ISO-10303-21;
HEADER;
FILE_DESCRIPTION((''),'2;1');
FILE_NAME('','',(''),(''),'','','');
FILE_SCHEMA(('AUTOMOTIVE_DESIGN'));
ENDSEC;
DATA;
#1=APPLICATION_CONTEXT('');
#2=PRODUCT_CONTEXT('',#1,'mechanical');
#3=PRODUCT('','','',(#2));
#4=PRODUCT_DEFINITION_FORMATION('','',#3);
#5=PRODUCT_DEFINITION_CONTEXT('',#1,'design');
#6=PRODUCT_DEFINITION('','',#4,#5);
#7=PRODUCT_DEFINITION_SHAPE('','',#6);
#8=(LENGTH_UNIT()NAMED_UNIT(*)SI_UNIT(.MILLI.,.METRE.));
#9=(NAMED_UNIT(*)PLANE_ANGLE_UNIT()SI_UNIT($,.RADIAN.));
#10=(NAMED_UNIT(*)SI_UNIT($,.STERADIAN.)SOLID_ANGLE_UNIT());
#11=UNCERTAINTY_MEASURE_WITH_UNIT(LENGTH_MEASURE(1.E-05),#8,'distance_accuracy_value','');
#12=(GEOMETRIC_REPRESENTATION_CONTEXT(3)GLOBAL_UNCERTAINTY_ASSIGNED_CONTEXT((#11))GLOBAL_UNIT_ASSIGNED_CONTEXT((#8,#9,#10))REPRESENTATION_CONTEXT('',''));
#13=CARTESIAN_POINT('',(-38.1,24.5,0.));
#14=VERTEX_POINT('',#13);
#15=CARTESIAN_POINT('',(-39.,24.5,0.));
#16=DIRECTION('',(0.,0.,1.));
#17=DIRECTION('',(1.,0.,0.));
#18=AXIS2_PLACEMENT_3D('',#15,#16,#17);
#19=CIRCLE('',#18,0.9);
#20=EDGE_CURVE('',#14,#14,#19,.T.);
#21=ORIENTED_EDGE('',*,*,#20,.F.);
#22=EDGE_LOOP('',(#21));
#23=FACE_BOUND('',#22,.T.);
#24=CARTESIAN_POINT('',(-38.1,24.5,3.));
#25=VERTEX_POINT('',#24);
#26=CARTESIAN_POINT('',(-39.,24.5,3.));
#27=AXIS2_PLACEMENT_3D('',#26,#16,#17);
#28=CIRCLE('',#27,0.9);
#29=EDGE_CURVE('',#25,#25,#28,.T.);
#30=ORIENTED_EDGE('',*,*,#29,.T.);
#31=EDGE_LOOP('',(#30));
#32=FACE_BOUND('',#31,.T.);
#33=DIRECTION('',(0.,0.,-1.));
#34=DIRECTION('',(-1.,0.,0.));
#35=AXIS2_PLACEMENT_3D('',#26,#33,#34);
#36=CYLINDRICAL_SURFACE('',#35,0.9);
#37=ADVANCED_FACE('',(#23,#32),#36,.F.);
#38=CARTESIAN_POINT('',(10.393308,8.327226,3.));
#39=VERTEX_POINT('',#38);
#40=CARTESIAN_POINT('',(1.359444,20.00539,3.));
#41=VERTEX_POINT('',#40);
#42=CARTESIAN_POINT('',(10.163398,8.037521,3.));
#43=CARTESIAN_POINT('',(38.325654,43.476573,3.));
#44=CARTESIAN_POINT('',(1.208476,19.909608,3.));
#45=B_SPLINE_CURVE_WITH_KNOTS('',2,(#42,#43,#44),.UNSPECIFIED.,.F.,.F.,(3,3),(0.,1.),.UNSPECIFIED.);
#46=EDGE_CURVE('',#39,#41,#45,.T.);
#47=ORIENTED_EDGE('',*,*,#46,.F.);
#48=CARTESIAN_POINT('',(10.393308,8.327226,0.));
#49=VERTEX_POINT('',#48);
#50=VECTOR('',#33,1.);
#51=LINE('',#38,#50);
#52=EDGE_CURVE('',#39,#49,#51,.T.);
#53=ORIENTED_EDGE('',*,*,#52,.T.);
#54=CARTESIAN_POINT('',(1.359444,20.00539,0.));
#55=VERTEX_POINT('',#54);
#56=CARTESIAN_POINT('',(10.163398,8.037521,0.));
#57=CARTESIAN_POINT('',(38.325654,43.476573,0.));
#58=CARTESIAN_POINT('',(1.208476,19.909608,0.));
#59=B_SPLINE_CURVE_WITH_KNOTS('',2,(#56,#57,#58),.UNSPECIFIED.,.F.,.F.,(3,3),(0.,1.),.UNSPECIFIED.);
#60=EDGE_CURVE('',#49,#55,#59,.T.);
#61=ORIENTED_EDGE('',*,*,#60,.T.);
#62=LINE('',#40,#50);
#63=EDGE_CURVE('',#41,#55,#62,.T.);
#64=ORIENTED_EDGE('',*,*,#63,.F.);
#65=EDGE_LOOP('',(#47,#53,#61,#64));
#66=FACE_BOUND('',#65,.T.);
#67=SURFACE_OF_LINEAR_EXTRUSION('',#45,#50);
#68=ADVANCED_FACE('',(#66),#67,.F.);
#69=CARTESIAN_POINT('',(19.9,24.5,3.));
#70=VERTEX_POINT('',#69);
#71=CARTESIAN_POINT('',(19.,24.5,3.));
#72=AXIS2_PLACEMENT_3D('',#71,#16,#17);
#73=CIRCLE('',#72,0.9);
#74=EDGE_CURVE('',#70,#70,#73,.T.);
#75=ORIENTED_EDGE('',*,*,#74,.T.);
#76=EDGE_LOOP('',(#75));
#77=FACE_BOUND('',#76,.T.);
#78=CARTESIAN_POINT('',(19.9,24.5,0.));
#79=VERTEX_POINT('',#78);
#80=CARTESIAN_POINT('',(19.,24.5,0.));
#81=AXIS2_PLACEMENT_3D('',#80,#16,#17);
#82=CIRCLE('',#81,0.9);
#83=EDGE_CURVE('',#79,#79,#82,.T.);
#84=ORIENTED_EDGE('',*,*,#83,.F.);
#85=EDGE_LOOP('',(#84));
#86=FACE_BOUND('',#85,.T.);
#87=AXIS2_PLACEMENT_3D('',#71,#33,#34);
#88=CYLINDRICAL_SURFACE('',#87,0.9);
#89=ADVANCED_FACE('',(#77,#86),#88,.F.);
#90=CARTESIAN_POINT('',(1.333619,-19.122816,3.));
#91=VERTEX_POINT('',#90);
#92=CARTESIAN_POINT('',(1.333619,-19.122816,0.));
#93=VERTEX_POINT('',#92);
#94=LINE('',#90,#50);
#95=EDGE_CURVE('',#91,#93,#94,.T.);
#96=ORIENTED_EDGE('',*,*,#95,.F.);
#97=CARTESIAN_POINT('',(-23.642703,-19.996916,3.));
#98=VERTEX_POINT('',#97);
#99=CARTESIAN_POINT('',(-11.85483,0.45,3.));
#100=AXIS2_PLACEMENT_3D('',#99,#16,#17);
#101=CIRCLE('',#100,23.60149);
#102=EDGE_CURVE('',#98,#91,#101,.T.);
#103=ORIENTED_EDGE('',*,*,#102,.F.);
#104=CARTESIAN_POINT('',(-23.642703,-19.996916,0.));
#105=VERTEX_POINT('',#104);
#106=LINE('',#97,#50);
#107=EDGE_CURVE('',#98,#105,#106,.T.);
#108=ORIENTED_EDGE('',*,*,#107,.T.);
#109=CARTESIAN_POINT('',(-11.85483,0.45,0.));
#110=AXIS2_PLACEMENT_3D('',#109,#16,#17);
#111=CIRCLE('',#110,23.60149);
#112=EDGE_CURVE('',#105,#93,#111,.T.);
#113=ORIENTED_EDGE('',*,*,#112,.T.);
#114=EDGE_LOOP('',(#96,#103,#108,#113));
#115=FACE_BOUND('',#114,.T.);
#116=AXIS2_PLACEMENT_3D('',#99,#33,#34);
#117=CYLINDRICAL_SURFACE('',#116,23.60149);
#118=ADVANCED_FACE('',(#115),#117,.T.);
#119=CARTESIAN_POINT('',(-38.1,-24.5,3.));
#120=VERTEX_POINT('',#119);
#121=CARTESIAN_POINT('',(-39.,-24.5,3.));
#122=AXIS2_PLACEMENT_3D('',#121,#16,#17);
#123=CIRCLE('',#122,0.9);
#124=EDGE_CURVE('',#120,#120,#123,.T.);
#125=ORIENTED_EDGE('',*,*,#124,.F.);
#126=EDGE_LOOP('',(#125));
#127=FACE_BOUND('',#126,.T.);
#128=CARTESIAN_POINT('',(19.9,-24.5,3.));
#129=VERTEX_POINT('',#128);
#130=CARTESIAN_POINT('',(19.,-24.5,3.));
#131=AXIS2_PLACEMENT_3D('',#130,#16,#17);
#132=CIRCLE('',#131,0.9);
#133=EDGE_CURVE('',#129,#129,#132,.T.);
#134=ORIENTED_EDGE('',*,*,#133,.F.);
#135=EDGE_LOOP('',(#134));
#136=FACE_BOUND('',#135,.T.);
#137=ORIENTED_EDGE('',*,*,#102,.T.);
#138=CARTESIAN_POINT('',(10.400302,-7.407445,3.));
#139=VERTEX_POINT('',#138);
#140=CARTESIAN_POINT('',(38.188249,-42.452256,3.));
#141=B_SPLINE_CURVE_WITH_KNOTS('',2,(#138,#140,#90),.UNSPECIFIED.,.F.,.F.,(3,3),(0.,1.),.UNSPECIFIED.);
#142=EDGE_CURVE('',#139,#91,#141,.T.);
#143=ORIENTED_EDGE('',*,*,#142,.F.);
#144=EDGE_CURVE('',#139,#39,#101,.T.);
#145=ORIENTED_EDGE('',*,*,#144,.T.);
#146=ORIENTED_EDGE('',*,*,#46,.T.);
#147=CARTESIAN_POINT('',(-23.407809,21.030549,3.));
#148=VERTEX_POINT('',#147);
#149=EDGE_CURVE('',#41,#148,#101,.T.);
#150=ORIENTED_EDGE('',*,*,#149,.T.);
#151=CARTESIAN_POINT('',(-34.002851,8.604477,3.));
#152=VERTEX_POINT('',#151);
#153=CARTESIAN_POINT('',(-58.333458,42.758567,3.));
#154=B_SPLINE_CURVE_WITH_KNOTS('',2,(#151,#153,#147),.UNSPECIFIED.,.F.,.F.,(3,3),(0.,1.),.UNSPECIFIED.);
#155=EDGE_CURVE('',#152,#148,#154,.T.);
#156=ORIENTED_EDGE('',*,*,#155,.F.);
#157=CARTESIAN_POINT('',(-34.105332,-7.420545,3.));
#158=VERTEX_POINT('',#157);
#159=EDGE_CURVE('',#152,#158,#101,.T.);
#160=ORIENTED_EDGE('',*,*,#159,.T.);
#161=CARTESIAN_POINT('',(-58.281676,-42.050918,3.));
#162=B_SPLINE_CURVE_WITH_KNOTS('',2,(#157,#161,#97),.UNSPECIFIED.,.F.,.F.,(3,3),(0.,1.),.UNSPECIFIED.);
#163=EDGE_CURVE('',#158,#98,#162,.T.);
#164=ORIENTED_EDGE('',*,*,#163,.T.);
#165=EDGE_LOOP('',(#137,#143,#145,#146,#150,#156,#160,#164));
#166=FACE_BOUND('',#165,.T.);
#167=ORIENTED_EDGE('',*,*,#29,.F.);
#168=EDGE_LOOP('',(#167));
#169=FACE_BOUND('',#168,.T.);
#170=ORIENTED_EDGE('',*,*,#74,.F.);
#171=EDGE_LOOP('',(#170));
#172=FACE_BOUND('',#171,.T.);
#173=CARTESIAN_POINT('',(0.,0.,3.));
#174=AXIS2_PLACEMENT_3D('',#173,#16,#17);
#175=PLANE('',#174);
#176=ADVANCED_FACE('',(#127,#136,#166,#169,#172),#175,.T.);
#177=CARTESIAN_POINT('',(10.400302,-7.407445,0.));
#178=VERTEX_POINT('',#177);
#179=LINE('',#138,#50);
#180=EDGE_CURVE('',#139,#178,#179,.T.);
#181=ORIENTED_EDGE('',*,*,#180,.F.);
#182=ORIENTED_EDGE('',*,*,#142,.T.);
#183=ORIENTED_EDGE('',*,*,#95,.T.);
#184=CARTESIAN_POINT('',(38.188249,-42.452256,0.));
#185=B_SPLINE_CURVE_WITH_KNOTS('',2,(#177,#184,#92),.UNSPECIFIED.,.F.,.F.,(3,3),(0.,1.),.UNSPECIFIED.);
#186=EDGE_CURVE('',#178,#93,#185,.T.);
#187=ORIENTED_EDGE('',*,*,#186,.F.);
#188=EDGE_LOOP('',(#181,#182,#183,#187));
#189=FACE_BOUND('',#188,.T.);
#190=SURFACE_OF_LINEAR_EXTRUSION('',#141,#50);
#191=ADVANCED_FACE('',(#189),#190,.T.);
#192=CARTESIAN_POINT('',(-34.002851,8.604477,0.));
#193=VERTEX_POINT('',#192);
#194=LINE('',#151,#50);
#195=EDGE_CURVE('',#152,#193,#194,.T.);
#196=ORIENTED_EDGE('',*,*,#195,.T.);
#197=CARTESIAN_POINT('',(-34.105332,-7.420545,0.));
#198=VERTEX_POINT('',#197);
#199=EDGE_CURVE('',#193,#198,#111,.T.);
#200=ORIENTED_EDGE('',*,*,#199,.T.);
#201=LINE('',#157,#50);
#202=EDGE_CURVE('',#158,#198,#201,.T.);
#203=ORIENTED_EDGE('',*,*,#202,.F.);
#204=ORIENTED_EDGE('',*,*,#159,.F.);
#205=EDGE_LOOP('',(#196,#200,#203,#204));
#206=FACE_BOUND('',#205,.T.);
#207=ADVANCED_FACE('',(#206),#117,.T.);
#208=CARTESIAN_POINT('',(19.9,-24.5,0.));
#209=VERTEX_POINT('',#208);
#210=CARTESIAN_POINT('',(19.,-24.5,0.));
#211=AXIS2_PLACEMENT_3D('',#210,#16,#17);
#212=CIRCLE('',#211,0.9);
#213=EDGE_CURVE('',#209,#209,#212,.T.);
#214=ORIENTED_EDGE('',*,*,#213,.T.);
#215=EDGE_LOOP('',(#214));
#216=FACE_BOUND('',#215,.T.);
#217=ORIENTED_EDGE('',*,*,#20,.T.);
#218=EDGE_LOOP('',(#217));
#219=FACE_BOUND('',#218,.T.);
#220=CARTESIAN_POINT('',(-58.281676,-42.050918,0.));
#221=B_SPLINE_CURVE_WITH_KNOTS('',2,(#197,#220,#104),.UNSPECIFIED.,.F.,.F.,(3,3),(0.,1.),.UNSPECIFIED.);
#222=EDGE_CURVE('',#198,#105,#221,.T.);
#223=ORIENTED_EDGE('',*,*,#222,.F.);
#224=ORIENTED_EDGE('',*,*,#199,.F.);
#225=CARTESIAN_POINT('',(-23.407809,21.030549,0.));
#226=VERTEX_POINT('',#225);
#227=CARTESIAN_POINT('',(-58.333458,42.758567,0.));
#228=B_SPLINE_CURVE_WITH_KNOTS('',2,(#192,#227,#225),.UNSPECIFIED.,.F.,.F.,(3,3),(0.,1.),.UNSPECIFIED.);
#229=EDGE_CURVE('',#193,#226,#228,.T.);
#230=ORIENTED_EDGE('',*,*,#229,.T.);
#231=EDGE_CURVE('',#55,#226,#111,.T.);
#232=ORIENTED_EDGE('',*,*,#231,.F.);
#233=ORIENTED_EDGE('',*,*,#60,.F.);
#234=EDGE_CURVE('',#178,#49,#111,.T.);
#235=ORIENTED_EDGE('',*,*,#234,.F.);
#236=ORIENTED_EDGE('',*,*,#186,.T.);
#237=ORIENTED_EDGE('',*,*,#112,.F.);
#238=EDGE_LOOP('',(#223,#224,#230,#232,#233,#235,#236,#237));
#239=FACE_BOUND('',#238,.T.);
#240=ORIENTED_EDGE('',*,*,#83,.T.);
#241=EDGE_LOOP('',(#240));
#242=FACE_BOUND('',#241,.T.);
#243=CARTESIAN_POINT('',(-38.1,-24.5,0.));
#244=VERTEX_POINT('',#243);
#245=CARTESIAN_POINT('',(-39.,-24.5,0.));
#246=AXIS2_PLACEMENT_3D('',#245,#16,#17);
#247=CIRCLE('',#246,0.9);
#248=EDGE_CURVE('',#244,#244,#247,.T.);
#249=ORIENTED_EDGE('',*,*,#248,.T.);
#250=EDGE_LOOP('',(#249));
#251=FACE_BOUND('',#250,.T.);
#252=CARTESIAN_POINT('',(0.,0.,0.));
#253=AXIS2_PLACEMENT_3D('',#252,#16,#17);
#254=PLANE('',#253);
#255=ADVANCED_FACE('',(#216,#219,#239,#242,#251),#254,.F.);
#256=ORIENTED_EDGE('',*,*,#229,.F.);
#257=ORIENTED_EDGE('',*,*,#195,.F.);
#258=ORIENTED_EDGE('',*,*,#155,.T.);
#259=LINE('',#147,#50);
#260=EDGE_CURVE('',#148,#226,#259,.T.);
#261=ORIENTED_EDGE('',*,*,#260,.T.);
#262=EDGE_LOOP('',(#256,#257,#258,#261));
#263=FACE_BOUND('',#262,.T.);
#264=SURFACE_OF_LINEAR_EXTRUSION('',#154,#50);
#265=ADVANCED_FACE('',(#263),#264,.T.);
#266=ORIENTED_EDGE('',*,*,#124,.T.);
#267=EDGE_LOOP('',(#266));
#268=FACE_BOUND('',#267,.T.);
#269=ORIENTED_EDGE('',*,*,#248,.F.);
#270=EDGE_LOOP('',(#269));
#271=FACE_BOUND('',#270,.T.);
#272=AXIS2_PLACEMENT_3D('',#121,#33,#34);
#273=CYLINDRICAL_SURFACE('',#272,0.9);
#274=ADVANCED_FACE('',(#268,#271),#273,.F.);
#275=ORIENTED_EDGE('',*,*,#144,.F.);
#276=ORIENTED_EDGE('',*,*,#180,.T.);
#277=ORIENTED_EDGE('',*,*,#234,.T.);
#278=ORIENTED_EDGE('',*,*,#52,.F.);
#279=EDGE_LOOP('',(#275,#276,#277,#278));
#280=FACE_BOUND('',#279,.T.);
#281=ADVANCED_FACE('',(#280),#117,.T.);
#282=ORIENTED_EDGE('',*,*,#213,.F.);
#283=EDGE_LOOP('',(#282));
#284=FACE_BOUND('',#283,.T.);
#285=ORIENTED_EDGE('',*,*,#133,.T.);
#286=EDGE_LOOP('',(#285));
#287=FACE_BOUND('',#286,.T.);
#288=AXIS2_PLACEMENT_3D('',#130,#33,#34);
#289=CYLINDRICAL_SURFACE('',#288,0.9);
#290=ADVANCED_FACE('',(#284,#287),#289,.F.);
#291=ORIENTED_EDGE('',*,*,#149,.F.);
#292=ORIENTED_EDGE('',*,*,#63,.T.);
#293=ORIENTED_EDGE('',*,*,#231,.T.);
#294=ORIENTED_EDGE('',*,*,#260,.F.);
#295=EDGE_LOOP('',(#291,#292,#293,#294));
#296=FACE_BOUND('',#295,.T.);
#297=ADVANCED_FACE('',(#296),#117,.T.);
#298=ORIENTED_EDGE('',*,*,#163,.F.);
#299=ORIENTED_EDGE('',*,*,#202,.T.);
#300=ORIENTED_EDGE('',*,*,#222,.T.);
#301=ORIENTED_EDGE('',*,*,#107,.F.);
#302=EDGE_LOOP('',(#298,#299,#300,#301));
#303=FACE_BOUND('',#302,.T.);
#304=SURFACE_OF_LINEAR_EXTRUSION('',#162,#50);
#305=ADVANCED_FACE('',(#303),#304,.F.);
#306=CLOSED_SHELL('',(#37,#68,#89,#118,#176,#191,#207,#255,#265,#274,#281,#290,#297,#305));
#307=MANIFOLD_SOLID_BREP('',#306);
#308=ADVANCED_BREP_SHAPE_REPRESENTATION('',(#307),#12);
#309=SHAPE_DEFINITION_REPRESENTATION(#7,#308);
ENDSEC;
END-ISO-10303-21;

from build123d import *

# Parameters (mm, degrees)
SKETCH2_R           = 0.9
BOSS_EXTRUDE1_DEPTH = 3


with BuildPart() as part:
    # Sketch2 → Boss-Extrude1 (new body)
    with BuildSketch(Plane.XY):
        with BuildLine():
            add(Edge.make_bspline(
                [(-34.002851303, 8.604476718), (-58.333457607, 42.758566595), (-23.407809103, 21.030549249)],
                knots=[0, 0, 0, 1, 1, 1], degree=2))
            ThreePointArc((-34.002851303, 8.604476718), (-35.455837584, 0.600929894), (-34.105332305, -7.42054543))
            add(Edge.make_bspline(
                [(-34.105332305, -7.42054543), (-58.281676493, -42.050918016), (-23.642702616, -19.996916463)],
                knots=[0, 0, 0, 1, 1, 1], degree=2))
            ThreePointArc((-23.642702616, -19.996916463), (-11.029350737, -23.137049671), (1.333618717, -19.122816437))
            add(Edge.make_bspline(
                [(10.40030161, -7.407444616), (38.188248564, -42.452256001), (1.333618717, -19.122816437)],
                knots=[0, 0, 0, 1, 1, 1], degree=2))
            ThreePointArc((10.40030161, -7.407444616), (11.746657416, 0.460490628), (10.393307704, 8.32722588))
            add(Edge.make_bspline(
                [(10.393307704, 8.32722588), (38.116592963, 43.308207972), (1.359443986, 20.005390199)],
                knots=[0.00410137, 0.00410137, 0.00410137, 0.997962678, 0.997962678, 0.997962678], degree=2))
            ThreePointArc((1.359443986, 20.005390199), (-10.878759881, 24.031297997), (-23.407809103, 21.030549249))
        make_face()
        with Locations((-39, -24.5)):
            Circle(SKETCH2_R, mode=Mode.SUBTRACT)
        with Locations((19, -24.5)):
            Circle(SKETCH2_R, mode=Mode.SUBTRACT)
        with Locations((-39, 24.5)):
            Circle(SKETCH2_R, mode=Mode.SUBTRACT)
        with Locations((19, 24.5)):
            Circle(SKETCH2_R, mode=Mode.SUBTRACT)
    extrude(amount=BOSS_EXTRUDE1_DEPTH)


solid = part.part
